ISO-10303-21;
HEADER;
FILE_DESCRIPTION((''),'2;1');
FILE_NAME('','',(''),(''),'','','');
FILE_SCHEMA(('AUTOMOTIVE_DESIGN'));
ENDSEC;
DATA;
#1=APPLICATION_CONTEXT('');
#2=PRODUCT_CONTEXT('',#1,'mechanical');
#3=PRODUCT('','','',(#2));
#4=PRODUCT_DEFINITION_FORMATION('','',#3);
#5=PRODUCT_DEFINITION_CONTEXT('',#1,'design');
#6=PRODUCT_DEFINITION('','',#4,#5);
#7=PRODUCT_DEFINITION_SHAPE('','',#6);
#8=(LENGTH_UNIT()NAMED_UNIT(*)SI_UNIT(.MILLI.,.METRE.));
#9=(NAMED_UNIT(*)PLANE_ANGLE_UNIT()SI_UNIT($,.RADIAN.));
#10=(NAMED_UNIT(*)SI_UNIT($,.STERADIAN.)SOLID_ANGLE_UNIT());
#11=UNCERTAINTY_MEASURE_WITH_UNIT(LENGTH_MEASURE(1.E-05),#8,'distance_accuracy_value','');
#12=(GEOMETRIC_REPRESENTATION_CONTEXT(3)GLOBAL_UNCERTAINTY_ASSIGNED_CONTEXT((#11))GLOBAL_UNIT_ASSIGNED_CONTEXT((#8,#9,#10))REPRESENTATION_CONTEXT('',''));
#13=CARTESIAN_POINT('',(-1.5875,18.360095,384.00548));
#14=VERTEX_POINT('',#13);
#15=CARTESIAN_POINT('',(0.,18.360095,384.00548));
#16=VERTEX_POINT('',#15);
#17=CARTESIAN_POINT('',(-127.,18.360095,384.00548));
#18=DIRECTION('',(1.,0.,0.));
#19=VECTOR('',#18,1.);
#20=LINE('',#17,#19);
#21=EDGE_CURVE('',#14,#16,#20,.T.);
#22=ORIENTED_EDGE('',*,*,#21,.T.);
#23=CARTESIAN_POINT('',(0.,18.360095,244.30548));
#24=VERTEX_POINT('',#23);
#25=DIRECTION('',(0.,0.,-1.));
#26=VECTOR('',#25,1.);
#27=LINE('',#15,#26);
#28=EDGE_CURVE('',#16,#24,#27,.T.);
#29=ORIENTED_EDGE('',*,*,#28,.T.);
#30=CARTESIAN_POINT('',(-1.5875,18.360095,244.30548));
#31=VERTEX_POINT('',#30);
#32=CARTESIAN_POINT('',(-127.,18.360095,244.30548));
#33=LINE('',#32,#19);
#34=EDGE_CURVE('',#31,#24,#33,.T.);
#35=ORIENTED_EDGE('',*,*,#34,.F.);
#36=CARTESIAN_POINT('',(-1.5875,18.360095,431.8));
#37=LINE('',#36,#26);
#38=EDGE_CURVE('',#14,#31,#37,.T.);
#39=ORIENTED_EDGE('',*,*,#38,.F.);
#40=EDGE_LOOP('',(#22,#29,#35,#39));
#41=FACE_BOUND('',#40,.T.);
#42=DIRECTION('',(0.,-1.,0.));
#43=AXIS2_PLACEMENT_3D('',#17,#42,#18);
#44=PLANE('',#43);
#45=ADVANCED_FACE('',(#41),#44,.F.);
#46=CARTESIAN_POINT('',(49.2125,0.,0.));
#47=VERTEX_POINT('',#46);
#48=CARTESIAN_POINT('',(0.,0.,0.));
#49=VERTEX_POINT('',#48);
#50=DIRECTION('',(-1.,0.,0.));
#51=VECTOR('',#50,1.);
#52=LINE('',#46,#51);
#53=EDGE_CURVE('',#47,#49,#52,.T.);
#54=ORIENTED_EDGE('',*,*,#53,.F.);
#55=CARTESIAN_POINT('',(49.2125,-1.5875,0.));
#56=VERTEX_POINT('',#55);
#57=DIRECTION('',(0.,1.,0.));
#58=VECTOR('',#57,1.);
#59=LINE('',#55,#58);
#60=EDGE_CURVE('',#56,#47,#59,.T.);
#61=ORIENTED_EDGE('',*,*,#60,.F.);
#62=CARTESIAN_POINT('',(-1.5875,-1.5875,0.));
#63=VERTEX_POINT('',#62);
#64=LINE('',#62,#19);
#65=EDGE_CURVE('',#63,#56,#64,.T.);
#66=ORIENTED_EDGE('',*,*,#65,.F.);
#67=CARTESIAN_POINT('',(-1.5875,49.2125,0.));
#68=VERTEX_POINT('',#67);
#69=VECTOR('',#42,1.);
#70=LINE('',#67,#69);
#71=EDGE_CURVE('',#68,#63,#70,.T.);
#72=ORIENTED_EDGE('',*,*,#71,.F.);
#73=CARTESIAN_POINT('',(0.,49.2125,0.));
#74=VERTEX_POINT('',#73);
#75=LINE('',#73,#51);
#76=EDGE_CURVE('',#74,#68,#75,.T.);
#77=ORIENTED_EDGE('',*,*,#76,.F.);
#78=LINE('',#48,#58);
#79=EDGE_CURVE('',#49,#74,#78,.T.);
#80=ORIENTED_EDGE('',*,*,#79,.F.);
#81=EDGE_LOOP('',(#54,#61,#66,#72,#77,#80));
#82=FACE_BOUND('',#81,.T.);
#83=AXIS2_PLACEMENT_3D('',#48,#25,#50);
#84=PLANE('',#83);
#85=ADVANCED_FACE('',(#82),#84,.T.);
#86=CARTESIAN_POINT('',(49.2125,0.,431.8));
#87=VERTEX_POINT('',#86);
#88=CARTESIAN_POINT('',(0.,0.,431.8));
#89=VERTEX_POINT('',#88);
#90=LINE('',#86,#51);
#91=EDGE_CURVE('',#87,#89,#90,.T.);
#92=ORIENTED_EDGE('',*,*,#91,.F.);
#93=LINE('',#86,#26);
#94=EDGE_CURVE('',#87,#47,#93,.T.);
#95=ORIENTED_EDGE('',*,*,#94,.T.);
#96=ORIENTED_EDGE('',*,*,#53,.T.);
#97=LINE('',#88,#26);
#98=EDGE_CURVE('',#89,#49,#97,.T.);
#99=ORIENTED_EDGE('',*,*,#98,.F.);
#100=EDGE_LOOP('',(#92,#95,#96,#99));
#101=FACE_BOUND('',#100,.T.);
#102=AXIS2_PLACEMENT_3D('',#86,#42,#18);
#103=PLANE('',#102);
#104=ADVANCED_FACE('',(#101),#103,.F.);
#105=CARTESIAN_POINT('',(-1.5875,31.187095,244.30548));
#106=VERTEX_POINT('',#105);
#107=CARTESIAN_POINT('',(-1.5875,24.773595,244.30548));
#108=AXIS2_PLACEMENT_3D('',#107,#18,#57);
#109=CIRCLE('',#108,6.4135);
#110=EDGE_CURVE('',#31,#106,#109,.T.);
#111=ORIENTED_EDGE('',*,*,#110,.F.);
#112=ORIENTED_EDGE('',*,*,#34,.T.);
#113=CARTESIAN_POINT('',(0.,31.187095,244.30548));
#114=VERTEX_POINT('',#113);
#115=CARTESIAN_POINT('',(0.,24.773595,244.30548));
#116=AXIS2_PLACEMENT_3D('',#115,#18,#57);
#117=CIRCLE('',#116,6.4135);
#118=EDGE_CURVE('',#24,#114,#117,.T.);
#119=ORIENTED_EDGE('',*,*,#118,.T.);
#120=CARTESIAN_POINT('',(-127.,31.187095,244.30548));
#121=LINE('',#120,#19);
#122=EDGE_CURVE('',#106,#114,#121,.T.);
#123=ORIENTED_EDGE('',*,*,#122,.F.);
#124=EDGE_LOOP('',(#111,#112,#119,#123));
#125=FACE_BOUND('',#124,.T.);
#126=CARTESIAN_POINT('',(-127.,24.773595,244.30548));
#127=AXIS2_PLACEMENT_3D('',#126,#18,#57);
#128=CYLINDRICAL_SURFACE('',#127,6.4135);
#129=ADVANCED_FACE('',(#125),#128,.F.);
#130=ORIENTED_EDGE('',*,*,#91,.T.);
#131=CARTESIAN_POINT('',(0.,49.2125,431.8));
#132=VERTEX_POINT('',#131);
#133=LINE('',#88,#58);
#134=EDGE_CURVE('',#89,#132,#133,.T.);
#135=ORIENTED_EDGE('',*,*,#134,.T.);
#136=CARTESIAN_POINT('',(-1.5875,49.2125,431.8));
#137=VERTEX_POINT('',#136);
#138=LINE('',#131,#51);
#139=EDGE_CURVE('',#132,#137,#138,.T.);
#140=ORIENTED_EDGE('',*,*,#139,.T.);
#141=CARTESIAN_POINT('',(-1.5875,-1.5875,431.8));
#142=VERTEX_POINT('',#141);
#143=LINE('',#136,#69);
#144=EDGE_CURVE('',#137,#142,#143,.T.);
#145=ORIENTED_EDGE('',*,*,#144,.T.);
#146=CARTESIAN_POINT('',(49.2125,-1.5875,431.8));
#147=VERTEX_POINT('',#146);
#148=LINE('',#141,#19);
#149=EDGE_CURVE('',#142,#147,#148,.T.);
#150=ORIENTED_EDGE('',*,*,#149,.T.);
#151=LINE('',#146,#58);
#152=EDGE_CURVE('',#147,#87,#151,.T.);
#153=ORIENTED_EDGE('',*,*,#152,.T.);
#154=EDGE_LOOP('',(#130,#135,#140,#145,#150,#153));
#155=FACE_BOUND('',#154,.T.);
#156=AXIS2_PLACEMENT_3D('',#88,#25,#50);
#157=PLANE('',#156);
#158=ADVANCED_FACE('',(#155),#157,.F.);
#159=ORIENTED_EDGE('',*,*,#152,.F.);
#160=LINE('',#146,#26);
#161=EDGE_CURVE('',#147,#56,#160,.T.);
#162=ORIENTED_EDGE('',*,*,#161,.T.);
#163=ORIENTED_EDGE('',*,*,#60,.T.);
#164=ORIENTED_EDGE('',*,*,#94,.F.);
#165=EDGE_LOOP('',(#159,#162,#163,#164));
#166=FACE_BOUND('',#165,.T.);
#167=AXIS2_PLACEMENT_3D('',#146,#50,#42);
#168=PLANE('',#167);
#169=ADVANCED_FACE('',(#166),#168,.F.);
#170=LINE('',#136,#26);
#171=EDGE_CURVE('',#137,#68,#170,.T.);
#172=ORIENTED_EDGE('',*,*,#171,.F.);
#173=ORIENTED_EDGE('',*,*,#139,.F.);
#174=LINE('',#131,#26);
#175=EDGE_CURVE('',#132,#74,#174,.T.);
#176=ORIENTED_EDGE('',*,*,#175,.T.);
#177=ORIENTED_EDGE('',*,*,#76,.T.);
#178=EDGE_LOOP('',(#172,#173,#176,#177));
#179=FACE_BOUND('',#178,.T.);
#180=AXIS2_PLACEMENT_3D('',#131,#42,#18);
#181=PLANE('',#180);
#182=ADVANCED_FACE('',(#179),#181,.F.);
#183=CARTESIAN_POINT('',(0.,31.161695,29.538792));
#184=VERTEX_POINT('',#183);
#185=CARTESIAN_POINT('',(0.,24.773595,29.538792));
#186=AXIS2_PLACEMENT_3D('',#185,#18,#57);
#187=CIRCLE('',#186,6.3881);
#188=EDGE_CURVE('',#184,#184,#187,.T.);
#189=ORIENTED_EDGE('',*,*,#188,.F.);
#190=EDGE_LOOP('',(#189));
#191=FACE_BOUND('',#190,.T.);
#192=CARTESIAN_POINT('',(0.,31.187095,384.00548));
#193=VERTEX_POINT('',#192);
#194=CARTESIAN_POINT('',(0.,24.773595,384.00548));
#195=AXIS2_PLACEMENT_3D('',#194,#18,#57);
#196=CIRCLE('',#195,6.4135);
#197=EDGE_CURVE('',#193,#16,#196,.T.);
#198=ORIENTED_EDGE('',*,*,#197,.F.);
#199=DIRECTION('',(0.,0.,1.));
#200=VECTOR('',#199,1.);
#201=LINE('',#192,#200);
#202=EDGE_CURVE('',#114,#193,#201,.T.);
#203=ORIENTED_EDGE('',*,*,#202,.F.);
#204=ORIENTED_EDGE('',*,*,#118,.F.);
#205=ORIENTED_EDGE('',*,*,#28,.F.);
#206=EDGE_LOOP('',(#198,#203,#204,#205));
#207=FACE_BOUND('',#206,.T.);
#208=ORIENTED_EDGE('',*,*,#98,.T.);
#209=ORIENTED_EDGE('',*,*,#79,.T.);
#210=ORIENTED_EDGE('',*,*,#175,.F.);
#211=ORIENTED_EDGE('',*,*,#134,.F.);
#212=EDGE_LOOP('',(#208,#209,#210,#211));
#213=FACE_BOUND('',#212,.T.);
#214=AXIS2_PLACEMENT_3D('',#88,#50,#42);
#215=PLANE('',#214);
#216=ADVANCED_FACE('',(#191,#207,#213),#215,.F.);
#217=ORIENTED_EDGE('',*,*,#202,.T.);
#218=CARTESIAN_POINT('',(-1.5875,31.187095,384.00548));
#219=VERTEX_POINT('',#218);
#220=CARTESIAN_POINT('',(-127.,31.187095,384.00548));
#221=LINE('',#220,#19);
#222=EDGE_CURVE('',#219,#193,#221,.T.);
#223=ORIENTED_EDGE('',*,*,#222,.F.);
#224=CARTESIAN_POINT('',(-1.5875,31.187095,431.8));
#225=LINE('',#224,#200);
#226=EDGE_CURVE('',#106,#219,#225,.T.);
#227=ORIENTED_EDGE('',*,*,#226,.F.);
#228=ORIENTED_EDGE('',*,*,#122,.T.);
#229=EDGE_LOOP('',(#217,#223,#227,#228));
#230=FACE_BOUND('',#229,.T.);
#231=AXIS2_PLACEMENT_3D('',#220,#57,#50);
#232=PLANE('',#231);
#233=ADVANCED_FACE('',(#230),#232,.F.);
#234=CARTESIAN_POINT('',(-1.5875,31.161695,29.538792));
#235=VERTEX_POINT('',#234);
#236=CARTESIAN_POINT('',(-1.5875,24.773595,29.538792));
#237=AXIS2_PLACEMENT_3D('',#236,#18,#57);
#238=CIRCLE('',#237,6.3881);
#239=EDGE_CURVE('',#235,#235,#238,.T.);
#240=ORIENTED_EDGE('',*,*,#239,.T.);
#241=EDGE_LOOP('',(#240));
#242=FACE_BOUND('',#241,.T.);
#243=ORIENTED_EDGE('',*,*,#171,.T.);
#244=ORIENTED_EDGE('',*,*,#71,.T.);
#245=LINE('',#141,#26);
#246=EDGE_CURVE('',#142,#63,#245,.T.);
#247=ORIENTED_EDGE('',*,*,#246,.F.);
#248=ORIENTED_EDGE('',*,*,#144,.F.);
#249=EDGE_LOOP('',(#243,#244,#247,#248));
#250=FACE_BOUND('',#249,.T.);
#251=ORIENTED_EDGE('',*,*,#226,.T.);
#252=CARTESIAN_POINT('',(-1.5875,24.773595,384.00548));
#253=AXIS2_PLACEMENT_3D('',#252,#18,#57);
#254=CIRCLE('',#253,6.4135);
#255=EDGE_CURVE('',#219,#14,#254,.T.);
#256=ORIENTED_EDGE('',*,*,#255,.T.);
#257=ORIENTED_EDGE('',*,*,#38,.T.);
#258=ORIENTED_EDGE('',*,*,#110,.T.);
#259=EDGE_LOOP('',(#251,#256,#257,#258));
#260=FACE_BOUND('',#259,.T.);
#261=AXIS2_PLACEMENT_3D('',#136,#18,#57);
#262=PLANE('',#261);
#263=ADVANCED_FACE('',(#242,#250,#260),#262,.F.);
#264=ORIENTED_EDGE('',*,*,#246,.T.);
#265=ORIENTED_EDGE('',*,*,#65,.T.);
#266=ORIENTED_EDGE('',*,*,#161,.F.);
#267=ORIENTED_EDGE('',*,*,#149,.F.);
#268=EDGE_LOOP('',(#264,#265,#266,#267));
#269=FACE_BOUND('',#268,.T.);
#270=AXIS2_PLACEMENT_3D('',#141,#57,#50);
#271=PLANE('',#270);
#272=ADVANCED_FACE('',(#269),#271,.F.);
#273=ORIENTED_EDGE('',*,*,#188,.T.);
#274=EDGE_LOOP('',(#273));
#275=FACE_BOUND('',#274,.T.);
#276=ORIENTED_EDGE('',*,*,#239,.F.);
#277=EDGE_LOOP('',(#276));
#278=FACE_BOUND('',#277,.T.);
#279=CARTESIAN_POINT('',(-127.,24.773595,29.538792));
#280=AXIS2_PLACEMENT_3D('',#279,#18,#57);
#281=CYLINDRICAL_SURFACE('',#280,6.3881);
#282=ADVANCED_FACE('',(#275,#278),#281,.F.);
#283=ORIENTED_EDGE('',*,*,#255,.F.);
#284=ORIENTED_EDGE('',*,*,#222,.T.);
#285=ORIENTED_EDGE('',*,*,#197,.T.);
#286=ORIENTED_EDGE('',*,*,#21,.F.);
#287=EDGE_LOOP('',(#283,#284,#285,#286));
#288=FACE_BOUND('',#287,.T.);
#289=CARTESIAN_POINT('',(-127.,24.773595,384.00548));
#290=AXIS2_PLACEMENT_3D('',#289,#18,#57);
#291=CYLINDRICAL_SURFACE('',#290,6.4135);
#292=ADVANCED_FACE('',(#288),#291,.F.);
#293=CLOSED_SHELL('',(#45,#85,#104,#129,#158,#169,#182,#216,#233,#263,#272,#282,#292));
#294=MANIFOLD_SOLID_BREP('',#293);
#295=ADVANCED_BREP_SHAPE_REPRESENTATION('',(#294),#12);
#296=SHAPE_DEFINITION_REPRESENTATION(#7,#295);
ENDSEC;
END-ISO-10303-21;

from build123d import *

# Parameters (mm, degrees)
BOSS_EXTRUDE2_DEPTH = 431.8
CUT_EXTRUDE3_DEPTH  = 127
SKETCH7_R           = 6.3881
CUT_EXTRUDE4_DEPTH  = 127


with BuildPart() as part:
    # Sketch3 → Boss-Extrude2 (new body)
    with BuildSketch(Plane.XY):
        Polygon((0, 0), (0, 49.2125), (-1.5875, 49.2125), (-1.5875, -1.5875), (49.2125, -1.5875), (49.2125, 0), align=None)
    extrude(amount=BOSS_EXTRUDE2_DEPTH)

    # Sketch6 → Cut-Extrude3 (cut)
    with BuildSketch(Plane(origin=(0, 0, 0), x_dir=(0, 0, -1), z_dir=(1, 0, 0))):
        with BuildLine():
            Line((-384.0054804, 31.187094829), (-244.3054804, 31.187094829))
            ThreePointArc((-244.3054804, 31.187094829), (-237.8919804, 24.773594829), (-244.3054804, 18.360094829))
            Line((-244.3054804, 18.360094829), (-384.0054804, 18.360094829))
            ThreePointArc((-384.0054804, 18.360094829), (-390.4189804, 24.773594829), (-384.0054804, 31.187094829))
        make_face()
    extrude(amount=-CUT_EXTRUDE3_DEPTH, mode=Mode.SUBTRACT)

    # Sketch7 → Cut-Extrude4 (cut)
    with BuildSketch(Plane(origin=(0, 0, 0), x_dir=(0, 0, -1), z_dir=(1, 0, 0))):
        with Locations(Location((-29.538792285, 24.773594829, 0), (0, 0, 90))):
            Circle(SKETCH7_R)
    extrude(amount=-CUT_EXTRUDE4_DEPTH, mode=Mode.SUBTRACT)


solid = part.part
